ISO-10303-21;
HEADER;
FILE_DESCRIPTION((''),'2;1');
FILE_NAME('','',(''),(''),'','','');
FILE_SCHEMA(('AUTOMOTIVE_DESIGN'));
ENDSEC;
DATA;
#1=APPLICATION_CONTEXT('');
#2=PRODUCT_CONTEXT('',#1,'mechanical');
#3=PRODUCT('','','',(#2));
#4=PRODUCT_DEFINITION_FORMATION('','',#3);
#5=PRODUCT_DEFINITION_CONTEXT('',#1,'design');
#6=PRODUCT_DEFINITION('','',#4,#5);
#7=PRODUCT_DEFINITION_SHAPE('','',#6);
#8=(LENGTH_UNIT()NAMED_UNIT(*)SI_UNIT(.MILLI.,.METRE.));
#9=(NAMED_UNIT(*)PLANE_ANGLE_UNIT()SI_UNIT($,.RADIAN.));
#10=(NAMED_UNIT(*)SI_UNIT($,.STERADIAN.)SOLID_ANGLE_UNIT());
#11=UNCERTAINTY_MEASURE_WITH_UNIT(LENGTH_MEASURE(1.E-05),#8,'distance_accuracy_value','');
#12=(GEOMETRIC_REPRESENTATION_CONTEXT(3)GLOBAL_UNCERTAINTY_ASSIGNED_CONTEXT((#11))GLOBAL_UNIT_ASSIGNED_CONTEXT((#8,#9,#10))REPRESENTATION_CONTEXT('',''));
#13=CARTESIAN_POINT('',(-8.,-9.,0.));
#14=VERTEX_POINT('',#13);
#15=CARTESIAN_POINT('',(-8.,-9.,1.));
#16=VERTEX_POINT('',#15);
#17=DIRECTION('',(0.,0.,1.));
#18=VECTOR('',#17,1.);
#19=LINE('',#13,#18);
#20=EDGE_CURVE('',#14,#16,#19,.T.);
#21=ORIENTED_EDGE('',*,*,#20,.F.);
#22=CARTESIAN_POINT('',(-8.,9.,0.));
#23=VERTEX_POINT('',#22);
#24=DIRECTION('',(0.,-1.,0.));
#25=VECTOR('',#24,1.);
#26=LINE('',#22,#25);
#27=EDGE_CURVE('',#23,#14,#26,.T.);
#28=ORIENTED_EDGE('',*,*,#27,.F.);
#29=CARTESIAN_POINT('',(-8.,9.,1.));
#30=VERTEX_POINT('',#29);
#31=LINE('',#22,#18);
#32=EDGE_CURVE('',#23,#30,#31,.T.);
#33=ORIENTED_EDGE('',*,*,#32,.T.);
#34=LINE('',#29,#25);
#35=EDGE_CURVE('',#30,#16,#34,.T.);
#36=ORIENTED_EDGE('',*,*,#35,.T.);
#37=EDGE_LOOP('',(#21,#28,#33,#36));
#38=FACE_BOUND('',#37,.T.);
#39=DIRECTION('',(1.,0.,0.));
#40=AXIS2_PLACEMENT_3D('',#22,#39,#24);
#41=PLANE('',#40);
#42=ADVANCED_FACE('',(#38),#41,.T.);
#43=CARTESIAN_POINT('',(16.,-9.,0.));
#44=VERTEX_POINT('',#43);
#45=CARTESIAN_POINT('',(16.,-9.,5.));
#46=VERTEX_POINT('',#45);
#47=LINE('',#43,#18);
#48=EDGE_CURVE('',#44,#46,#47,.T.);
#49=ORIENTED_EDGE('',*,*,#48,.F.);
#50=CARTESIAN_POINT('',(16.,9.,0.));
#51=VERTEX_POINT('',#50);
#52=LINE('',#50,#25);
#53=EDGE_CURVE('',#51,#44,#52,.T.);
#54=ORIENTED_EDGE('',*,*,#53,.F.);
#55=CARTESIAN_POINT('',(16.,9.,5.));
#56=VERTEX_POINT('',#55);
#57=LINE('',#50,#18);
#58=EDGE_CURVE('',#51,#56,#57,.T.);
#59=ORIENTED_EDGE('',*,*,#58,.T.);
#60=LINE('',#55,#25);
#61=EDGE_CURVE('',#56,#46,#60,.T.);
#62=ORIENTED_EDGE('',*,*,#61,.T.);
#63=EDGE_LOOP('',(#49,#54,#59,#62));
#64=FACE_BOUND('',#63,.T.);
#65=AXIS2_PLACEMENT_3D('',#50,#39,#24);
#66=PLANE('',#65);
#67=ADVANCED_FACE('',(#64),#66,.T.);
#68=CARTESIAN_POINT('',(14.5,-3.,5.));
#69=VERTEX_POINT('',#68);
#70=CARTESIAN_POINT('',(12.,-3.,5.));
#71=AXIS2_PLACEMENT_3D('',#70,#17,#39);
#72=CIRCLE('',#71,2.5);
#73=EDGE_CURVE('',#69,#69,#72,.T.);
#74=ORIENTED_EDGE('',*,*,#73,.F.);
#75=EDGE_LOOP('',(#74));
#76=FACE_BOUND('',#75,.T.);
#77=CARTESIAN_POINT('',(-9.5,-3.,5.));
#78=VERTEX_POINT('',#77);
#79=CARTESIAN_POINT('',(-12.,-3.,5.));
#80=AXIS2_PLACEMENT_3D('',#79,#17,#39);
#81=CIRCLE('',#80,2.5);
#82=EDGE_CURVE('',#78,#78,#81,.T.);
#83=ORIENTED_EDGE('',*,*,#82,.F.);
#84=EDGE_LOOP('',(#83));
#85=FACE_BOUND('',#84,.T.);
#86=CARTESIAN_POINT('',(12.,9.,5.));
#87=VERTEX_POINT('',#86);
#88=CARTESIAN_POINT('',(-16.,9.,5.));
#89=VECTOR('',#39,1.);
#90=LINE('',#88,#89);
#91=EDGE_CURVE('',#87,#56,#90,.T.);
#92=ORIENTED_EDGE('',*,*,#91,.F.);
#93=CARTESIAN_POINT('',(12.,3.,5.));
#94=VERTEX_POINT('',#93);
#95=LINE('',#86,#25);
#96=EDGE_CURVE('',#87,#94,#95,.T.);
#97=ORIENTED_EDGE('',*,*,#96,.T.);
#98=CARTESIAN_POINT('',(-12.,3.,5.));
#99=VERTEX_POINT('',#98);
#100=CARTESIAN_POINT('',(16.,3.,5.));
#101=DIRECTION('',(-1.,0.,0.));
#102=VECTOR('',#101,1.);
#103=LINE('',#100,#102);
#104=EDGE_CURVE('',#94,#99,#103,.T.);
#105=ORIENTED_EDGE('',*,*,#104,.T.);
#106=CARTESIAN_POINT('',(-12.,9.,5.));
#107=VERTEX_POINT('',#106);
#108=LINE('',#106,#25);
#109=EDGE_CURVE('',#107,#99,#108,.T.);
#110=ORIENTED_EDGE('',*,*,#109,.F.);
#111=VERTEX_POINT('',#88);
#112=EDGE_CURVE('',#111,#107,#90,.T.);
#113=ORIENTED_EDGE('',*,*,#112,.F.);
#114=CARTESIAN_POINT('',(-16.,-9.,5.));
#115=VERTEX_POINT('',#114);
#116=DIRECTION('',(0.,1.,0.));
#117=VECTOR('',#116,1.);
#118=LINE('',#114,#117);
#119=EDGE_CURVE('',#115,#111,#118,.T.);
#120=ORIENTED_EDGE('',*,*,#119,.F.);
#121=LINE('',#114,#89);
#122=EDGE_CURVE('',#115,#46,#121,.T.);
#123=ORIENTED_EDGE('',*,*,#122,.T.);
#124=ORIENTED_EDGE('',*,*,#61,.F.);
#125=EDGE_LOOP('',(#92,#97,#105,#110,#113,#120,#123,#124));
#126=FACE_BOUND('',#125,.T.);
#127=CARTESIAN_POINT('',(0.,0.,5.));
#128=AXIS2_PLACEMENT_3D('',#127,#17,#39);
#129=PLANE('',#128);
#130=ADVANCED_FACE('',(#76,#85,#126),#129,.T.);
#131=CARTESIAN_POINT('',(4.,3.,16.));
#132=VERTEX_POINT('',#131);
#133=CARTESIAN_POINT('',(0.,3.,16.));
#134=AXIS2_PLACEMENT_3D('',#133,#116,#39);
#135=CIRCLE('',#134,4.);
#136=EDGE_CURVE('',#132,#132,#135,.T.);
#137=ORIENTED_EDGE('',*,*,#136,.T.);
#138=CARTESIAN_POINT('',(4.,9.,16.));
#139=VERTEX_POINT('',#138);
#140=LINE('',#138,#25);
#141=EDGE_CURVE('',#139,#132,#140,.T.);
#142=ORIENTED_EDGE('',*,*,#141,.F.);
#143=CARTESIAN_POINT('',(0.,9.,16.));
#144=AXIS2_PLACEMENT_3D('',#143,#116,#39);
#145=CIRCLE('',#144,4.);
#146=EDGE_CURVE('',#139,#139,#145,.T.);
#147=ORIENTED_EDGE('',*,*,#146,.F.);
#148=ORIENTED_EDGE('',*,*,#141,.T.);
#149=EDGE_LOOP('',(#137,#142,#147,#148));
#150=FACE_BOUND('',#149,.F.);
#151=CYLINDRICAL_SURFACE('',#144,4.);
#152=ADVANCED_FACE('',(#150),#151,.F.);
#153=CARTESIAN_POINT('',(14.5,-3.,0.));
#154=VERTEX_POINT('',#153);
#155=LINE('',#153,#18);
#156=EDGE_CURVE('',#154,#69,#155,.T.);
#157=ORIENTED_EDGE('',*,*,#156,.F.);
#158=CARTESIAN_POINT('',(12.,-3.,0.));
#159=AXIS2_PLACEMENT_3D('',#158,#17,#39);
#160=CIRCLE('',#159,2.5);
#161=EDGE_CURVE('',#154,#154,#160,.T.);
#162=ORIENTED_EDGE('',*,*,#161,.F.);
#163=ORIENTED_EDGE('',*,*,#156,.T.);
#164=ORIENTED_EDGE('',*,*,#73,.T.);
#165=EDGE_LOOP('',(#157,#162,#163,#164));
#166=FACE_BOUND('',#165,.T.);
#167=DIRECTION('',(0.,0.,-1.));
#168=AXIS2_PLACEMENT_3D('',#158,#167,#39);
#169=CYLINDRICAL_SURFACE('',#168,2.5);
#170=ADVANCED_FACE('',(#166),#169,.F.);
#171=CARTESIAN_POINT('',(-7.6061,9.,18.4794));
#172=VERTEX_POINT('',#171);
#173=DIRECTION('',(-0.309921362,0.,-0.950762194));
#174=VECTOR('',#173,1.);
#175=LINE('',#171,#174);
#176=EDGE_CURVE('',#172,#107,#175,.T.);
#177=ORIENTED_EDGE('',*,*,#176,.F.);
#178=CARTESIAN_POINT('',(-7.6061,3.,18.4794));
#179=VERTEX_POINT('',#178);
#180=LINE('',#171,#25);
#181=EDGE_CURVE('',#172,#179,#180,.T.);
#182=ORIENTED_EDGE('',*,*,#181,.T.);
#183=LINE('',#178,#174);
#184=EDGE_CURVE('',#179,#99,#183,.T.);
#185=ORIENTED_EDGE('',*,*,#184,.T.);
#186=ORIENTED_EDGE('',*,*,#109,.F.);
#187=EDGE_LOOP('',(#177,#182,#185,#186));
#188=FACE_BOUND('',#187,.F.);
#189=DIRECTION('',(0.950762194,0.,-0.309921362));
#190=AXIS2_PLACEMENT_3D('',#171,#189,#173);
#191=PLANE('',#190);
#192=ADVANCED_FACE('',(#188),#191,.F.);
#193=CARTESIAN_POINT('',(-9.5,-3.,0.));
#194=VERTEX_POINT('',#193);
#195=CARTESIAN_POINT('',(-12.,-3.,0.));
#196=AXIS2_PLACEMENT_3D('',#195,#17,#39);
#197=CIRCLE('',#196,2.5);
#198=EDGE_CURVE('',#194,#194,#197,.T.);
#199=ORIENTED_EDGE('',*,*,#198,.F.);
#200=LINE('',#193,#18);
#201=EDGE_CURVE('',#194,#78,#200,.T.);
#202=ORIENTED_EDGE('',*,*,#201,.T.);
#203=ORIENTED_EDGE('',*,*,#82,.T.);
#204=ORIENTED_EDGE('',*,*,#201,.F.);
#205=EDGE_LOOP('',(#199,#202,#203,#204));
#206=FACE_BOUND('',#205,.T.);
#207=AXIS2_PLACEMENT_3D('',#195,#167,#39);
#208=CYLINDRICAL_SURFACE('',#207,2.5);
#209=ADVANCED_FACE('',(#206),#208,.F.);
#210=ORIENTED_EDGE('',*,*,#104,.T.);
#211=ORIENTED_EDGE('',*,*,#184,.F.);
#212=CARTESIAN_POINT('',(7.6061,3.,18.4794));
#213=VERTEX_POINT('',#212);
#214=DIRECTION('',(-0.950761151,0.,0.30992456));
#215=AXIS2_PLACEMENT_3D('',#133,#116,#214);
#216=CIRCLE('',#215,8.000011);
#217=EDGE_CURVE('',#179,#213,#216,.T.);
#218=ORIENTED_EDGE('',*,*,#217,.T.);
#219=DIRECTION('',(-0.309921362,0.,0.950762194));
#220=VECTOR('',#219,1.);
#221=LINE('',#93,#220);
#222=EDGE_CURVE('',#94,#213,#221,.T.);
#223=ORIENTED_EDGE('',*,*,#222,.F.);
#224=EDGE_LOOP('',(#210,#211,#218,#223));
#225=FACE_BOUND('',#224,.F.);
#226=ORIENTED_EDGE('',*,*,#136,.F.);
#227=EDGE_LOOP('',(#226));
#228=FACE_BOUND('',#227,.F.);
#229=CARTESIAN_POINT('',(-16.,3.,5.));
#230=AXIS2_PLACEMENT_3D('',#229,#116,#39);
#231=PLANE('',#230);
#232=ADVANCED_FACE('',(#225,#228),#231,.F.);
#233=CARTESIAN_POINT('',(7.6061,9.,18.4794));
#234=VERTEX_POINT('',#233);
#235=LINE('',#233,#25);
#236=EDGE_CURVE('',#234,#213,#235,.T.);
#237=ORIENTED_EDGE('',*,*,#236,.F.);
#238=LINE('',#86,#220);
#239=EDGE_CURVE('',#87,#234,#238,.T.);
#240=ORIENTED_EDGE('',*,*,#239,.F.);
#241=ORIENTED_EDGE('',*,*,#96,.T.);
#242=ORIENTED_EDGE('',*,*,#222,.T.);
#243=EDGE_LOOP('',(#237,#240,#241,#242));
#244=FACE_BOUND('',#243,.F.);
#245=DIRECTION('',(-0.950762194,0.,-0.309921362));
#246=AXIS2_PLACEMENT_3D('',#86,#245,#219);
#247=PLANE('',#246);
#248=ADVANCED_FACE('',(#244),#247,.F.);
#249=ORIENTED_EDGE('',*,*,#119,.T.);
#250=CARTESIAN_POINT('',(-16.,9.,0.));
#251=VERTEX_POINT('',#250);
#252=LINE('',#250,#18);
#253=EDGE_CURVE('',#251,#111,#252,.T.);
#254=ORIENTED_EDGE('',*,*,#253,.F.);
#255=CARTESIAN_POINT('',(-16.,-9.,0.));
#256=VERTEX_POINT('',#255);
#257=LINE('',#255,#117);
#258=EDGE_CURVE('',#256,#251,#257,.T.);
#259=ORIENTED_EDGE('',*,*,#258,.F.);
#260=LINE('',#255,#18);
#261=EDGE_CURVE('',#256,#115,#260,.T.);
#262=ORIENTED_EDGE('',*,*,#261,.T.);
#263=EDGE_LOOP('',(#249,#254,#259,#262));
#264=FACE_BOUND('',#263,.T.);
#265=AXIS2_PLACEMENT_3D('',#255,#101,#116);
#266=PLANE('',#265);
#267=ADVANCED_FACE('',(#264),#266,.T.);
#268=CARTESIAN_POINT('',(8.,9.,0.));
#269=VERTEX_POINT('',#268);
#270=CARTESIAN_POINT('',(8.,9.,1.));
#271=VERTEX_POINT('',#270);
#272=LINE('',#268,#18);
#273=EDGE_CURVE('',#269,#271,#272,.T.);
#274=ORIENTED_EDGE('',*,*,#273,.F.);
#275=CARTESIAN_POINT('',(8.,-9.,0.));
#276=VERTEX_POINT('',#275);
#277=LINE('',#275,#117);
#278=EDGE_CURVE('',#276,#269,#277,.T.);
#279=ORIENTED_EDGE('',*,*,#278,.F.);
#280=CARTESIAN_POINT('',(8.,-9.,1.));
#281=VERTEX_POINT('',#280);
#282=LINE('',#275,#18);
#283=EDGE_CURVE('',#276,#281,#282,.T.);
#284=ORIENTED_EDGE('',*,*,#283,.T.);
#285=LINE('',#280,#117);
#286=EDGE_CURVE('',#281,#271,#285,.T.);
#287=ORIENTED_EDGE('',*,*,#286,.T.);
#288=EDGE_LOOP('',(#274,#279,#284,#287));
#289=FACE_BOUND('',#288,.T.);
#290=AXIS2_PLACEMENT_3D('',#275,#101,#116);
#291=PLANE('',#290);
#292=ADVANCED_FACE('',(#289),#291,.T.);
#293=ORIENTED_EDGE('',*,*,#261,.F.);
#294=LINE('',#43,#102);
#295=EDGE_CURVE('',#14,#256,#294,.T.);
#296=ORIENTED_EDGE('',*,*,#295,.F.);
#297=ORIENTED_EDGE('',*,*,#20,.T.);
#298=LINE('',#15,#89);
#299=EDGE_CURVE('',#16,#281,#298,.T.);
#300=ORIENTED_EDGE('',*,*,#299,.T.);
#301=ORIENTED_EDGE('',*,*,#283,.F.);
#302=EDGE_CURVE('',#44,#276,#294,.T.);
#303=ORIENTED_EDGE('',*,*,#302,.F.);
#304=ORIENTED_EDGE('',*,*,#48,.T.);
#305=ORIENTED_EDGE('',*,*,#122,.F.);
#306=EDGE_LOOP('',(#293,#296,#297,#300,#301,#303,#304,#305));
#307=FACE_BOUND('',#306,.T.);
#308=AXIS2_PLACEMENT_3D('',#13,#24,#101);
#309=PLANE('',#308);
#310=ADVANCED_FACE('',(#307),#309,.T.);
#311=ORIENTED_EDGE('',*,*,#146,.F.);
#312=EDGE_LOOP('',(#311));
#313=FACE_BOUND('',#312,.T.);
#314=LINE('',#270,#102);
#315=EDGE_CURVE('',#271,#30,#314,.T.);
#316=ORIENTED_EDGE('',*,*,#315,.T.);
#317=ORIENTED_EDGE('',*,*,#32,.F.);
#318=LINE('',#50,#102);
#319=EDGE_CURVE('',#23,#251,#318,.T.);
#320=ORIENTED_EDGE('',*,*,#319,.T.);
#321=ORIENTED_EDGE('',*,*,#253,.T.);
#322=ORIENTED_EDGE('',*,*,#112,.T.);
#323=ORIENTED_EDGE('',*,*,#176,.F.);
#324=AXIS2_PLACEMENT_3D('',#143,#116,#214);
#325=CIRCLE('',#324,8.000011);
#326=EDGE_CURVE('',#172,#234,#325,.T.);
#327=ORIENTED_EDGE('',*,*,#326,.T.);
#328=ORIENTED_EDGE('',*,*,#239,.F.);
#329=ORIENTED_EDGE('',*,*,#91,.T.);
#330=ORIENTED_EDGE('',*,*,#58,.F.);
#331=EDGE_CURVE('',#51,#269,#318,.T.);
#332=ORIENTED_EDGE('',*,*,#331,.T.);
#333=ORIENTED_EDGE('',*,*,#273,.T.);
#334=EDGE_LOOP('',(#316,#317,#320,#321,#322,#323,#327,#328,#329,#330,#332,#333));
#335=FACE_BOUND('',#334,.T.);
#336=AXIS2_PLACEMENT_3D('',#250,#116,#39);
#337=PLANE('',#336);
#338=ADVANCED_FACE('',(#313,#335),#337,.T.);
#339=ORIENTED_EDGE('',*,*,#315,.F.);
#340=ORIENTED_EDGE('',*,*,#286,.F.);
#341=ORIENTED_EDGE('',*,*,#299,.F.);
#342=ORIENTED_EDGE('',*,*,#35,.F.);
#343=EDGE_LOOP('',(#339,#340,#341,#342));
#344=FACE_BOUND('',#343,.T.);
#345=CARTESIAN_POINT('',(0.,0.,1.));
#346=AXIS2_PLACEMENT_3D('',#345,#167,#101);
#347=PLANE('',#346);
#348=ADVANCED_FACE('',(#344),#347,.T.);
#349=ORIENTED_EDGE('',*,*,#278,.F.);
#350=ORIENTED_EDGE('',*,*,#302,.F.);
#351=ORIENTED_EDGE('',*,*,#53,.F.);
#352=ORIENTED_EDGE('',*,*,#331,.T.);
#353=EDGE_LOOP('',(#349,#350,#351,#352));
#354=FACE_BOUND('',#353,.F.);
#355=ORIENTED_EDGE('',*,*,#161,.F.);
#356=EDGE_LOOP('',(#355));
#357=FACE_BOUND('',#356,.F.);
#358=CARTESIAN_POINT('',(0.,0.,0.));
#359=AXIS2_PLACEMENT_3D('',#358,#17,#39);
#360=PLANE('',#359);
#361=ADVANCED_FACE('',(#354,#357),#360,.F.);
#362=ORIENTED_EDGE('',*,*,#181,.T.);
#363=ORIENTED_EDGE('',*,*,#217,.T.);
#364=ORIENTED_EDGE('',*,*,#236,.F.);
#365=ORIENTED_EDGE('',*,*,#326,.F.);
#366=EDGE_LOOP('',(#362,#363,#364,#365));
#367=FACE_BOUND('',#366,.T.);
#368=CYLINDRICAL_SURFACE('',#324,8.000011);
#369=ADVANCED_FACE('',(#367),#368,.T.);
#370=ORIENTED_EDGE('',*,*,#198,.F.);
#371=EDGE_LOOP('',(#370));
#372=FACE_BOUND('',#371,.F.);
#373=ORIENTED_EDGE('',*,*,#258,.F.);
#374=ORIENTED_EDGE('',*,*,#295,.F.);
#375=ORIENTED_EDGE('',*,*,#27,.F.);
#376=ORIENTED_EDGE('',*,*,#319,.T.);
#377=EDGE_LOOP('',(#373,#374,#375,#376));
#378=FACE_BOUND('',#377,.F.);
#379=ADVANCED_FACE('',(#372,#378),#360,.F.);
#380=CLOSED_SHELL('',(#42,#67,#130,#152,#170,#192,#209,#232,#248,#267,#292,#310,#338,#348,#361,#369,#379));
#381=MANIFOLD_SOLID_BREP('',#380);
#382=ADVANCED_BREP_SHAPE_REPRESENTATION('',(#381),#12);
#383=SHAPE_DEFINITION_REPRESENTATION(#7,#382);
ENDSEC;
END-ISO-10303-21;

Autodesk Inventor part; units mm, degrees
ref_plane "YZ Plane" through (0, 0, 0) normal (1, 0, 0) x (0, 1, 0)
ref_plane "XZ Plane" through (0, 0, 0) normal (0, 1, 0) x (-1, 0, 0)
ref_plane "XY Plane" through (0, 0, 0) normal (0, 0, 1) x (1, 0, 0)
sketch "草图1" plane through (0, 0, 0) normal (0, 0, 1) x (1, 0, 0)
  line L0 (-16, 9) -> (16, 9)
  line L1 (16, 9) -> (16, -9)
  line L2 (16, -9) -> (-16, -9)
  line L3 (-16, -9) -> (-16, 9)
  line L4 (-16, 9) -> (16, -9) construction
  line L5 (16, 9) -> (-16, -9) construction
  circle A0 centre (-12, -3) radius 2.5
  circle A1 centre (12, -3) radius 2.5
  line L6 (-8, 9) -> (8, 9)
  line L7 (8, 9) -> (8, -9)
  line L8 (8, -9) -> (-8, -9)
  line L9 (-8, -9) -> (-8, 9)
  line L10 (-8, 9) -> (8, -9) construction
  line L11 (8, 9) -> (-8, -9) construction
  point P0 (0, 0)
  dimension "d0" = 32
  dimension "d1" = 18
  dimension "d2" = 5
  dimension "d3" = 12
  dimension "d4" = 4
  dimension "d5" = 5
  dimension "d6" = 12
  dimension "d7" = 4
  dimension "d8" = 16
  dimension "d9" = 18
extrude "拉伸1" add sketch "草图1" along normal blind 5
sketch "草图2" plane through (0, 0, 0) normal (0, 0, -1) x (-1, 0, 0)
  line L0 (8, -9) -> (-8, -9)
  line L1 (-8, -9) -> (-8, 9)
  line L2 (-8, 9) -> (8, 9)
  line L3 (8, 9) -> (8, -9)
  line L4 (8, -9) -> (-8, 9) construction
  line L5 (-8, -9) -> (8, 9) construction
  point P0 (0, 0)
  dimension "d12" = 16
  dimension "d13" = 18
extrude "拉伸2" cut sketch "草图2" against normal blind 1
sketch "草图3" plane through (-16, 9, 5) normal (0, 1, 0) x (1, 0, 0)
  circle A0 centre (16, -11) radius 4
  arc A1 (8.3939, -13.4794) -> (23.6061, -13.4794) centre (16, -11) ccw
  line L0 (28, 0) -> (23.6061, -13.4794)
  line L1 (8.3939, -13.4794) -> (4, 0)
  line L2 (16, 5) -> (16, -11) construction
  line L3 (32, 0) -> (0, 0) projected
  line L4 (28, 0) -> (4, 0)
  dimension "d16" = 8
  dimension "d18" = 8
  dimension "d19" = 24
  dimension "d21" = 16
  dimension "d22" = 18.055
  dimension "d23" = 36.109
  dimension "d24" = 12
extrude "拉伸3" add sketch "草图3" against normal blind 6
